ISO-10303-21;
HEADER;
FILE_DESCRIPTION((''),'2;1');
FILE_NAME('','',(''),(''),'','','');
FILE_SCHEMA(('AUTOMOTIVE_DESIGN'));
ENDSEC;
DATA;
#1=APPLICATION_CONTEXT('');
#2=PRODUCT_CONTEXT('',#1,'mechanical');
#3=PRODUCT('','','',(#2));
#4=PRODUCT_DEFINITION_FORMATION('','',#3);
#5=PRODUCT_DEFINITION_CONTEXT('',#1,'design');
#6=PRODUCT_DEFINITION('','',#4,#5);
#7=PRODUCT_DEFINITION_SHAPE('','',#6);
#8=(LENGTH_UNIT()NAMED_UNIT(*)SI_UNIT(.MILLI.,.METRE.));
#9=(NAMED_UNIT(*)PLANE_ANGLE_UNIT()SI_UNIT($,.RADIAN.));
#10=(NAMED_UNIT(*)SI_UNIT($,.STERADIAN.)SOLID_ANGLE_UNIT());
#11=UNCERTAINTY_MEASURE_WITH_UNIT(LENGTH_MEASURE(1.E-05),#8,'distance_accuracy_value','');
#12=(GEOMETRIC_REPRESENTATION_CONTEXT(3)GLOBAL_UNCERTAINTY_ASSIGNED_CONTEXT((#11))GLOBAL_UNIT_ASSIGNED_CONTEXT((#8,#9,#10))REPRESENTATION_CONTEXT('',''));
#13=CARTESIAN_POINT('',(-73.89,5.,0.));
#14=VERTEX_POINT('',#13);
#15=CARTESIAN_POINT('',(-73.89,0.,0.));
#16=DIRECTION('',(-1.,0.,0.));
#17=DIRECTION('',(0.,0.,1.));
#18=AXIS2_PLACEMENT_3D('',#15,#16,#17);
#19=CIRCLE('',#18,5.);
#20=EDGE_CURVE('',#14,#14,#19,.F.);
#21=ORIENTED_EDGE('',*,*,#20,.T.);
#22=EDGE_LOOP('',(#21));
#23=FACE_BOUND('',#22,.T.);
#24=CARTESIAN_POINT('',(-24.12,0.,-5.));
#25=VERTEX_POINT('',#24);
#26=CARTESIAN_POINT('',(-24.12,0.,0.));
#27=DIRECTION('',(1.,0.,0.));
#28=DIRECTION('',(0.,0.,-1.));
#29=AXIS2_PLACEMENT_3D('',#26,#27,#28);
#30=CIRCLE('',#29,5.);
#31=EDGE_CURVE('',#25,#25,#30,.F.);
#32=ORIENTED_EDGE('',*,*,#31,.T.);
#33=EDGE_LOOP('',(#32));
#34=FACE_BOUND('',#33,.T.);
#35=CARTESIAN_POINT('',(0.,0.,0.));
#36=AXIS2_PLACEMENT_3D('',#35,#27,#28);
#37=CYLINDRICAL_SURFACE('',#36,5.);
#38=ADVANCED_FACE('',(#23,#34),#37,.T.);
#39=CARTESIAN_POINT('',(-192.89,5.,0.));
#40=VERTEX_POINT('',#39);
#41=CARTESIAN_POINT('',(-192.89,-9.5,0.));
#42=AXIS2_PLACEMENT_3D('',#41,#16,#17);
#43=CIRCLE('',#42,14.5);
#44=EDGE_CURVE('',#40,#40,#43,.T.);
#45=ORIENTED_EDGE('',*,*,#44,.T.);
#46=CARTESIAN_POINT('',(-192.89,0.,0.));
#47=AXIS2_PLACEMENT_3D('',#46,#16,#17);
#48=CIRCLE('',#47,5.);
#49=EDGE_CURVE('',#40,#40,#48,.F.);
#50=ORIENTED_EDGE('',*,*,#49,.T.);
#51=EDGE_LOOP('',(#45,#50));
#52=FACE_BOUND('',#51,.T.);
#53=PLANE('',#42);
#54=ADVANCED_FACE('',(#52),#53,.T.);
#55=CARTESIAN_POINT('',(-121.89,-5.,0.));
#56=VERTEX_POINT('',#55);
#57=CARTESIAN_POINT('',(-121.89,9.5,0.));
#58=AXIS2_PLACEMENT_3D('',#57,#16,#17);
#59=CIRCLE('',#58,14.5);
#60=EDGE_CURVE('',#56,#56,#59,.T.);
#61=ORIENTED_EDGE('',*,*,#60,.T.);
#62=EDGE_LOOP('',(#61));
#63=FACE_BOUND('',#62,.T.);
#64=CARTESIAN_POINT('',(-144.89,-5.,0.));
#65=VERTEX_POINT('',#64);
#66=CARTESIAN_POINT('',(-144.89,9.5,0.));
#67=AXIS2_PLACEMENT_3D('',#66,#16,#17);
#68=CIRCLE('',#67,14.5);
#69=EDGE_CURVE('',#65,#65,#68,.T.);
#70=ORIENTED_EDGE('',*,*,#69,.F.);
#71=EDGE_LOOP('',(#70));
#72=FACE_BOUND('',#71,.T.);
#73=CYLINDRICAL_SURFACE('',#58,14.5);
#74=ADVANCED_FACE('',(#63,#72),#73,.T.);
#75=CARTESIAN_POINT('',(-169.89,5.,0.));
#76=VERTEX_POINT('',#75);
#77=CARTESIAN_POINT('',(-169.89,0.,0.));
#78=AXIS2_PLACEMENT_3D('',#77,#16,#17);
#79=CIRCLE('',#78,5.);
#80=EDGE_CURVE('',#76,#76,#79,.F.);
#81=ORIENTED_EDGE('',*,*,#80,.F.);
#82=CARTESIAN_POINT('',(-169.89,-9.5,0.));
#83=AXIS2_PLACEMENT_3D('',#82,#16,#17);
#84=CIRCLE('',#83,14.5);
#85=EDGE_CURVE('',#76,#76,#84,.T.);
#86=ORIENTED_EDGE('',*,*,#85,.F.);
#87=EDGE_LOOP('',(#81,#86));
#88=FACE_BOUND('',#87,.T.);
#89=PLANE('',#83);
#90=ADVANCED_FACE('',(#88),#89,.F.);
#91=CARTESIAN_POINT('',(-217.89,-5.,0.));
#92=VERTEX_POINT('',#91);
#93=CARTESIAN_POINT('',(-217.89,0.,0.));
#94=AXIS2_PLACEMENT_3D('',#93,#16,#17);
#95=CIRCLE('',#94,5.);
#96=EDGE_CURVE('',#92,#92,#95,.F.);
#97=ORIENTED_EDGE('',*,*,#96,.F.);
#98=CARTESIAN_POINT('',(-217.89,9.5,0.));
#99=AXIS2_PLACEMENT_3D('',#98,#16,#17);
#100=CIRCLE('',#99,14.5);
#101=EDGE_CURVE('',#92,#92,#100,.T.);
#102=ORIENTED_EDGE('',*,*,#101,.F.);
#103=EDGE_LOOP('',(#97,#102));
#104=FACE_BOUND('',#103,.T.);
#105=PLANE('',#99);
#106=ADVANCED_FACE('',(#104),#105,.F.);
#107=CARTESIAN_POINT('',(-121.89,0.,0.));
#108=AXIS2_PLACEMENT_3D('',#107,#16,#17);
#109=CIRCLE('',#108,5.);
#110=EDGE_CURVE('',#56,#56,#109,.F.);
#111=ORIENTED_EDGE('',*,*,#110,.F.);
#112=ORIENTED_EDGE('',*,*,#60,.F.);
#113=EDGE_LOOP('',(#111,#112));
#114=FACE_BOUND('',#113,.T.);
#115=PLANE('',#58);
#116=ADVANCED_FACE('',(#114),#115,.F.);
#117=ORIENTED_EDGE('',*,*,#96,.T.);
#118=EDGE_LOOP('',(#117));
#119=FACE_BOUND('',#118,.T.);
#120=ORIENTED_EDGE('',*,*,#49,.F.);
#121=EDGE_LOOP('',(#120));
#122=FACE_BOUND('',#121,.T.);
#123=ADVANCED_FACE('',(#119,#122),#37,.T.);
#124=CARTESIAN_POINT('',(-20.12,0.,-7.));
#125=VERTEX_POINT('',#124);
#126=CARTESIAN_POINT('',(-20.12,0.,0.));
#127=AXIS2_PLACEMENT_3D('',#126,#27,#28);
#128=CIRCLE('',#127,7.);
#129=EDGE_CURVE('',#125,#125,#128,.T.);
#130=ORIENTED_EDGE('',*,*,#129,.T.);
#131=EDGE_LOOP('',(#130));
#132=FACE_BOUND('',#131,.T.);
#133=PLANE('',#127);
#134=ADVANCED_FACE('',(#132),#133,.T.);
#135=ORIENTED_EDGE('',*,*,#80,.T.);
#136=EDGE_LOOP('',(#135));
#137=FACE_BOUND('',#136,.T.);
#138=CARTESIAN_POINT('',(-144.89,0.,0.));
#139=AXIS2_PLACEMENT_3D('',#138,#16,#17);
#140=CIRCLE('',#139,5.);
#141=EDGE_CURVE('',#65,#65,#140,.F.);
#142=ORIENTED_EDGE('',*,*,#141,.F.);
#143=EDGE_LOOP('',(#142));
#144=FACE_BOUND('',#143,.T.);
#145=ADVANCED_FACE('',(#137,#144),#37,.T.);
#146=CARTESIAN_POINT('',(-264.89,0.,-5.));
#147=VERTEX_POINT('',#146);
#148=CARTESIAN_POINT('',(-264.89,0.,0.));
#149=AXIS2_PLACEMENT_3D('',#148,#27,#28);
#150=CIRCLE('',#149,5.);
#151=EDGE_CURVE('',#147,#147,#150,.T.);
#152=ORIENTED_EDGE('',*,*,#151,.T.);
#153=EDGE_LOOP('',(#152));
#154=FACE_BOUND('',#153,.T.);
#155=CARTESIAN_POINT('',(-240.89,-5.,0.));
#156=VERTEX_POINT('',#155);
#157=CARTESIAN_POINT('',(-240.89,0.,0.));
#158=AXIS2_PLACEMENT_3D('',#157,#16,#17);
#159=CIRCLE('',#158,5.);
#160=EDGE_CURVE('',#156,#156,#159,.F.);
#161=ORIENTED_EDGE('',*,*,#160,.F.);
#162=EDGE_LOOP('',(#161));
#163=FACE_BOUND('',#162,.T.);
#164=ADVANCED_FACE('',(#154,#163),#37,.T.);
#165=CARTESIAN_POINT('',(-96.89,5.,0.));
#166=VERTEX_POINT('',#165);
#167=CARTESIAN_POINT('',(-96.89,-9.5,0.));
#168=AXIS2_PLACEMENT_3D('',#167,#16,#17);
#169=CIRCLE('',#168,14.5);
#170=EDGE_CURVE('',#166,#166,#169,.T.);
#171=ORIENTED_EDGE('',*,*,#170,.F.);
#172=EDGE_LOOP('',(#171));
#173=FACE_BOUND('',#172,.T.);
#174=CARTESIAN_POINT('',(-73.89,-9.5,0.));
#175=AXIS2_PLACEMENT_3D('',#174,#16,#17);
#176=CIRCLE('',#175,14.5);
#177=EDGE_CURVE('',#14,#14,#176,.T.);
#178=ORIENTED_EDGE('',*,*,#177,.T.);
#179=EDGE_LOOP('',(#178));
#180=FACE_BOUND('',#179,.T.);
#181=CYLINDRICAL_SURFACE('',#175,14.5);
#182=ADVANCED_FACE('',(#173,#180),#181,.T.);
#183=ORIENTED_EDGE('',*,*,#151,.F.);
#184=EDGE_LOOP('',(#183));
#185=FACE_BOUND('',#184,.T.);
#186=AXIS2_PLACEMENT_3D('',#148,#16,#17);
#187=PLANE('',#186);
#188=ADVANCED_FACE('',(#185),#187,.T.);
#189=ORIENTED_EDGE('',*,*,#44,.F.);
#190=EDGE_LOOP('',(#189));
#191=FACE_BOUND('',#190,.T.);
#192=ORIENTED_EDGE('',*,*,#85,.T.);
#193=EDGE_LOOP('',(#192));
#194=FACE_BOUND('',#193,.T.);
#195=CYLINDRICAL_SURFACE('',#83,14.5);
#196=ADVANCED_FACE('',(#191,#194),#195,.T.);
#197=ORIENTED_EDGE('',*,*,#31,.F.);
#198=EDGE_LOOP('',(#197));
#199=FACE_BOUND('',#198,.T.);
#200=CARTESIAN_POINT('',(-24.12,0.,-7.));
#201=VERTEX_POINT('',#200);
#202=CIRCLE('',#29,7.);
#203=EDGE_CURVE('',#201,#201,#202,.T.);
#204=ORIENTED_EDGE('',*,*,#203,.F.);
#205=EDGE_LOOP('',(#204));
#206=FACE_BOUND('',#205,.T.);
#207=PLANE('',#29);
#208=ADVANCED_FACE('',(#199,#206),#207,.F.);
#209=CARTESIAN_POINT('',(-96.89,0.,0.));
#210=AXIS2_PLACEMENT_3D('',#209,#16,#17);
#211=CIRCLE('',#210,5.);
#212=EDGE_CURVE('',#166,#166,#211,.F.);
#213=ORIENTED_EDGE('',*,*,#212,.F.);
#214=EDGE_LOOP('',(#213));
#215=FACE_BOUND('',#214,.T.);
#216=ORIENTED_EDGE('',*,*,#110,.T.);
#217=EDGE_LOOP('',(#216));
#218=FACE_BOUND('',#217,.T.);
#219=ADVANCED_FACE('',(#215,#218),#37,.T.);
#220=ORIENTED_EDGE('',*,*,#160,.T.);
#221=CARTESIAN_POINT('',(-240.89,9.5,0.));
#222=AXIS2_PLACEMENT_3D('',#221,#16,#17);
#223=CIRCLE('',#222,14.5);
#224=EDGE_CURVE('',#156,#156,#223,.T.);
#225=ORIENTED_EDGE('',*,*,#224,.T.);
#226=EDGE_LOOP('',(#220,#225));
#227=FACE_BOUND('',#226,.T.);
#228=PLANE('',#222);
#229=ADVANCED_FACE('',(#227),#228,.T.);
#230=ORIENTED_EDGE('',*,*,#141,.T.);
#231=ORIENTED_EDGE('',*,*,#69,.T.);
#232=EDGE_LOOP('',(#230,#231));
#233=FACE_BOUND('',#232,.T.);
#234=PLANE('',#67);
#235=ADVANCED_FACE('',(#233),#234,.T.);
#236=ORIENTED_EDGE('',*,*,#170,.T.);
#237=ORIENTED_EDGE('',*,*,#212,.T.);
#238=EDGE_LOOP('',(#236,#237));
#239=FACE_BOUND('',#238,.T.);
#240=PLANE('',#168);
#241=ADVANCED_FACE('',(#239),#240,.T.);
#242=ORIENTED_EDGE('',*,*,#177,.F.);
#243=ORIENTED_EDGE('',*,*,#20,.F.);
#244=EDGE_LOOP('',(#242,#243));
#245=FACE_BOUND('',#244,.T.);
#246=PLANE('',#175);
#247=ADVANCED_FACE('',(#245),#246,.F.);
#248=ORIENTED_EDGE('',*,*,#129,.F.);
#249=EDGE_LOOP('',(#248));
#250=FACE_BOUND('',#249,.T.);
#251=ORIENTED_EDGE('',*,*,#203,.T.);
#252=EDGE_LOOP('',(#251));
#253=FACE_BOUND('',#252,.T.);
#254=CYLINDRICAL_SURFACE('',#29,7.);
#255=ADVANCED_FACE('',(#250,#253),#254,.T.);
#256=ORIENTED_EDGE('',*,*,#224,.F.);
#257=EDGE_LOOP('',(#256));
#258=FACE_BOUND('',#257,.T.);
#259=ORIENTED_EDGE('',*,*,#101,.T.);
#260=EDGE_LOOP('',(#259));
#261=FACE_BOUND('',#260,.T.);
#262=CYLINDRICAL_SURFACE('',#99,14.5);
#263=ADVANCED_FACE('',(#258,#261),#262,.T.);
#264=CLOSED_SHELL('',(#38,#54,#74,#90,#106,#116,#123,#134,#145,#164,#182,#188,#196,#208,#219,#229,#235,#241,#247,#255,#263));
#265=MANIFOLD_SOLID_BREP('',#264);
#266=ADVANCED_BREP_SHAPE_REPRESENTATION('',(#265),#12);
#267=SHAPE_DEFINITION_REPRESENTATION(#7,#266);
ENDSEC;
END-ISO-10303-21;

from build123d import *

# Parameters (mm, degrees)
SKETCH_1_W          = 264.89
SKETCH_1_H          = 5
SKETCH_2_R          = 14.5
EXTRUDE_1_DEPTH     = 23
SKETCH_3_R          = 14.5
EXTRUDE_2_DEPTH     = 23
SKETCH_4_R          = 14.5
EXTRUDE_3_DEPTH     = 23
SKETCH_5_R          = 14.5
EXTRUDE_4_DEPTH     = 23
SKETCH_7_R          = 5
CUT_EXTRUDE_1_DEPTH = 20.12
SKETCH_8_R          = 7
EXTRUDE_6_DEPTH     = 4


with BuildPart() as part:
    # 草圖1 → 旋轉1 (revolve)
    with BuildSketch(Plane.XY, mode=Mode.PRIVATE) as revolve_1_sk:
        with Locations((-132.445, 2.5)):
            Rectangle(SKETCH_1_W, SKETCH_1_H)
    revolve(revolve_1_sk.sketch.rotate(Axis((0, 0, 0), (-1, 0, 0)), 90), axis=Axis((0, 0, 0), (-1, 0, 0)))

    # 草圖2 → 填料-伸長1 (add)
    with BuildSketch(Plane.ZY.offset(240.89)):
        with Locations(Location((0, 9.5, 0), (0, 0, 270))):
            Circle(SKETCH_2_R)
    extrude(amount=-EXTRUDE_1_DEPTH)

    # 草圖3 → 填料-伸長2 (add)
    with BuildSketch(Plane.ZY.offset(192.89)):
        with Locations(Location((0, -9.5, 0), (0, 0, 90))):
            Circle(SKETCH_3_R)
    extrude(amount=-EXTRUDE_2_DEPTH)

    # 草圖4 → 填料-伸長3 (add)
    with BuildSketch(Plane.ZY.offset(144.89)):
        with Locations(Location((0, 9.5, 0), (0, 0, 270))):
            Circle(SKETCH_4_R)
    extrude(amount=-EXTRUDE_3_DEPTH)

    # 草圖5 → 填料-伸長4 (add)
    with BuildSketch(Plane.ZY.offset(96.89)):
        with Locations(Location((0, -9.5, 0), (0, 0, 90))):
            Circle(SKETCH_5_R)
    extrude(amount=-EXTRUDE_4_DEPTH)

    # 草圖7 → 除料-伸長1 (cut)
    with BuildSketch(Plane(origin=(0, 0, 0), x_dir=(0, 0, -1), z_dir=(1, 0, 0))):
        Circle(SKETCH_7_R)
    extrude(amount=-CUT_EXTRUDE_1_DEPTH, mode=Mode.SUBTRACT)

    # 草圖8 → 填料-伸長6 (add)
    with BuildSketch(Plane(origin=(-20.12, 0, 0), x_dir=(0, 0, -1), z_dir=(1, 0, 0))):
        Circle(SKETCH_8_R)
    extrude(amount=-EXTRUDE_6_DEPTH)


solid = part.part
